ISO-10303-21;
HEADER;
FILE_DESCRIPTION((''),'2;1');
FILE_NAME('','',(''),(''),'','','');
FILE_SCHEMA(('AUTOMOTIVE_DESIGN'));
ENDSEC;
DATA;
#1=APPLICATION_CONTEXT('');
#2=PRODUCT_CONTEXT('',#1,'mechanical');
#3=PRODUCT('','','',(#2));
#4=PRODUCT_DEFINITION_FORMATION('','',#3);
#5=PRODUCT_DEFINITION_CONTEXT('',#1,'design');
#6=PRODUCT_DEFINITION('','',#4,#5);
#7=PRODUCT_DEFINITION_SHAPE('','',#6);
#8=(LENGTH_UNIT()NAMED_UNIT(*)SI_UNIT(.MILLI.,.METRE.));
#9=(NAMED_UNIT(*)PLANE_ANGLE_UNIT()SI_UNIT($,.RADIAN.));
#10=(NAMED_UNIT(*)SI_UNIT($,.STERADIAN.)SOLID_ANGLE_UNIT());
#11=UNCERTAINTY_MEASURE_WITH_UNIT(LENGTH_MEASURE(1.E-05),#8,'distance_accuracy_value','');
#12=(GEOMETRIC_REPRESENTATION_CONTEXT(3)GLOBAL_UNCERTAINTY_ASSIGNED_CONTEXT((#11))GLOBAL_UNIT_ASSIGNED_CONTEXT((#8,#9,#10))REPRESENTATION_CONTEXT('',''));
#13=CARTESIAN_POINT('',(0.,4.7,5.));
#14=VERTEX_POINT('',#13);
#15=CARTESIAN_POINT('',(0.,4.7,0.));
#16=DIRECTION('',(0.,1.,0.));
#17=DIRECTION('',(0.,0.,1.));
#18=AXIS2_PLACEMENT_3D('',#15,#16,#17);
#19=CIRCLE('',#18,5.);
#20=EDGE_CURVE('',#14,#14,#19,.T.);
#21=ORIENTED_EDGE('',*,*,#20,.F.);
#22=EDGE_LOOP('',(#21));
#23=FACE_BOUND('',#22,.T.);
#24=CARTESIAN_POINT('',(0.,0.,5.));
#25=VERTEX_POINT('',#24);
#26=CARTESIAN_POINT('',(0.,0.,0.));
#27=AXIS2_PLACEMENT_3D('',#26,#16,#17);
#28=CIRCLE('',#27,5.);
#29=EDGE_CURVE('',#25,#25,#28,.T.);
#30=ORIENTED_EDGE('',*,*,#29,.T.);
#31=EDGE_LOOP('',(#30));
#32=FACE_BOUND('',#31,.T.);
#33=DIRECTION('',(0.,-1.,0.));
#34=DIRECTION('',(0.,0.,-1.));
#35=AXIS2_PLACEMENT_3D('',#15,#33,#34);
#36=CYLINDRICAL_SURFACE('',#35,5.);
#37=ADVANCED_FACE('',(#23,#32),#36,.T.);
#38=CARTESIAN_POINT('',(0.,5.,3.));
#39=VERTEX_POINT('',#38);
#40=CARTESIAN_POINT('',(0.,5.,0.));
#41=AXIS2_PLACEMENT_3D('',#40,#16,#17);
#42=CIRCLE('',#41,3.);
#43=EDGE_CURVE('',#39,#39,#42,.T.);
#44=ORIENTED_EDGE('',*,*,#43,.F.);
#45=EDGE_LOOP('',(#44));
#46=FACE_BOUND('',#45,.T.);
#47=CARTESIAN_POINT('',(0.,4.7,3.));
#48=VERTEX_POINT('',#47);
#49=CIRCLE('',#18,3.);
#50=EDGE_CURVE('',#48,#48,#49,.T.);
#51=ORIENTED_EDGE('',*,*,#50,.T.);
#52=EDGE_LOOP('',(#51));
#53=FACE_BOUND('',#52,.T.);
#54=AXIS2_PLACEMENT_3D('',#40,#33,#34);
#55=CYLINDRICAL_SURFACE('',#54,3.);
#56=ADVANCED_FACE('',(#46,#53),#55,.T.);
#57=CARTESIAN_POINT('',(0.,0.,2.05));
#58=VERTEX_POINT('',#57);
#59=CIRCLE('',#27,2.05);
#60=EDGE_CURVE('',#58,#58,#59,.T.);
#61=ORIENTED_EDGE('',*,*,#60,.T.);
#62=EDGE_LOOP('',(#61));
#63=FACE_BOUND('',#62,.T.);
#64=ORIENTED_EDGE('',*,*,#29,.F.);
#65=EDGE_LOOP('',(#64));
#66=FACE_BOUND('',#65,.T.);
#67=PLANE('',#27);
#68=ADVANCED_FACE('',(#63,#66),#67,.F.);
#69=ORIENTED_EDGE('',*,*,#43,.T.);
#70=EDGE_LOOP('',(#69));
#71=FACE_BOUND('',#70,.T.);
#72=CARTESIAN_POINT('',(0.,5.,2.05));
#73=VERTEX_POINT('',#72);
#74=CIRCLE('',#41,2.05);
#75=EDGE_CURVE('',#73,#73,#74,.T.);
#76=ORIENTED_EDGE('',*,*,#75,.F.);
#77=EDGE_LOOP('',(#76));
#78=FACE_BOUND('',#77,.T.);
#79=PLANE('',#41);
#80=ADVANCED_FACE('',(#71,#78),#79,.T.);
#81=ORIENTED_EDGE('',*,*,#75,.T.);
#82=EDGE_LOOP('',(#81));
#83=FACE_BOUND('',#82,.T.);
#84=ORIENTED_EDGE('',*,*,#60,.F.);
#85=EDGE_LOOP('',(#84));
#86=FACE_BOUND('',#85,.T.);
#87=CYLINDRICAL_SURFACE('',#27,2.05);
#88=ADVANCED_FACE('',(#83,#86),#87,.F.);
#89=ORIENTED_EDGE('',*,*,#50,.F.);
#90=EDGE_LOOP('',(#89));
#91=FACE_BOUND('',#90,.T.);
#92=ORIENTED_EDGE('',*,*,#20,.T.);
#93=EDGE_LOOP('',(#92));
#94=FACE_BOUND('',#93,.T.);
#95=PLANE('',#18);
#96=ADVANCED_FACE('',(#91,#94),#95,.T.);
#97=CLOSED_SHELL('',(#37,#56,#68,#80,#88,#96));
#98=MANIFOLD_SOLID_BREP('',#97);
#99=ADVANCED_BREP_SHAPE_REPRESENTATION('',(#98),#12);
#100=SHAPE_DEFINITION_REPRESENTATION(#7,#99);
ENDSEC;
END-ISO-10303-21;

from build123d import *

# Parameters (mm, degrees)
SKETCH_1_R          = 5
EXTRUDE_1_DEPTH     = 4.7
SKETCH_2_R          = 3
EXTRUDE_2_DEPTH     = 0.3
SKETCH_3_R          = 2.05
CUT_EXTRUDE_1_DEPTH = 6


with BuildPart() as part:
    # 스케치1 → 보스-돌출1 (new body)
    with BuildSketch(Plane(origin=(0, 0, 0), x_dir=(1, 0, 0), z_dir=(0, 1, 0))):
        Circle(SKETCH_1_R)
    extrude(amount=EXTRUDE_1_DEPTH)

    # 스케치2 → 보스-돌출2 (add)
    with BuildSketch(Plane(origin=(0, 4.7, 0), x_dir=(1, 0, 0), z_dir=(0, 1, 0))):
        Circle(SKETCH_2_R)
    extrude(amount=EXTRUDE_2_DEPTH)

    # 스케치3 → 컷-돌출1 (cut, through all)
    with BuildSketch(Plane(origin=(0, 5, 0), x_dir=(1, 0, 0), z_dir=(0, 1, 0))):
        Circle(SKETCH_3_R)
    extrude(amount=-CUT_EXTRUDE_1_DEPTH, mode=Mode.SUBTRACT)


solid = part.part
